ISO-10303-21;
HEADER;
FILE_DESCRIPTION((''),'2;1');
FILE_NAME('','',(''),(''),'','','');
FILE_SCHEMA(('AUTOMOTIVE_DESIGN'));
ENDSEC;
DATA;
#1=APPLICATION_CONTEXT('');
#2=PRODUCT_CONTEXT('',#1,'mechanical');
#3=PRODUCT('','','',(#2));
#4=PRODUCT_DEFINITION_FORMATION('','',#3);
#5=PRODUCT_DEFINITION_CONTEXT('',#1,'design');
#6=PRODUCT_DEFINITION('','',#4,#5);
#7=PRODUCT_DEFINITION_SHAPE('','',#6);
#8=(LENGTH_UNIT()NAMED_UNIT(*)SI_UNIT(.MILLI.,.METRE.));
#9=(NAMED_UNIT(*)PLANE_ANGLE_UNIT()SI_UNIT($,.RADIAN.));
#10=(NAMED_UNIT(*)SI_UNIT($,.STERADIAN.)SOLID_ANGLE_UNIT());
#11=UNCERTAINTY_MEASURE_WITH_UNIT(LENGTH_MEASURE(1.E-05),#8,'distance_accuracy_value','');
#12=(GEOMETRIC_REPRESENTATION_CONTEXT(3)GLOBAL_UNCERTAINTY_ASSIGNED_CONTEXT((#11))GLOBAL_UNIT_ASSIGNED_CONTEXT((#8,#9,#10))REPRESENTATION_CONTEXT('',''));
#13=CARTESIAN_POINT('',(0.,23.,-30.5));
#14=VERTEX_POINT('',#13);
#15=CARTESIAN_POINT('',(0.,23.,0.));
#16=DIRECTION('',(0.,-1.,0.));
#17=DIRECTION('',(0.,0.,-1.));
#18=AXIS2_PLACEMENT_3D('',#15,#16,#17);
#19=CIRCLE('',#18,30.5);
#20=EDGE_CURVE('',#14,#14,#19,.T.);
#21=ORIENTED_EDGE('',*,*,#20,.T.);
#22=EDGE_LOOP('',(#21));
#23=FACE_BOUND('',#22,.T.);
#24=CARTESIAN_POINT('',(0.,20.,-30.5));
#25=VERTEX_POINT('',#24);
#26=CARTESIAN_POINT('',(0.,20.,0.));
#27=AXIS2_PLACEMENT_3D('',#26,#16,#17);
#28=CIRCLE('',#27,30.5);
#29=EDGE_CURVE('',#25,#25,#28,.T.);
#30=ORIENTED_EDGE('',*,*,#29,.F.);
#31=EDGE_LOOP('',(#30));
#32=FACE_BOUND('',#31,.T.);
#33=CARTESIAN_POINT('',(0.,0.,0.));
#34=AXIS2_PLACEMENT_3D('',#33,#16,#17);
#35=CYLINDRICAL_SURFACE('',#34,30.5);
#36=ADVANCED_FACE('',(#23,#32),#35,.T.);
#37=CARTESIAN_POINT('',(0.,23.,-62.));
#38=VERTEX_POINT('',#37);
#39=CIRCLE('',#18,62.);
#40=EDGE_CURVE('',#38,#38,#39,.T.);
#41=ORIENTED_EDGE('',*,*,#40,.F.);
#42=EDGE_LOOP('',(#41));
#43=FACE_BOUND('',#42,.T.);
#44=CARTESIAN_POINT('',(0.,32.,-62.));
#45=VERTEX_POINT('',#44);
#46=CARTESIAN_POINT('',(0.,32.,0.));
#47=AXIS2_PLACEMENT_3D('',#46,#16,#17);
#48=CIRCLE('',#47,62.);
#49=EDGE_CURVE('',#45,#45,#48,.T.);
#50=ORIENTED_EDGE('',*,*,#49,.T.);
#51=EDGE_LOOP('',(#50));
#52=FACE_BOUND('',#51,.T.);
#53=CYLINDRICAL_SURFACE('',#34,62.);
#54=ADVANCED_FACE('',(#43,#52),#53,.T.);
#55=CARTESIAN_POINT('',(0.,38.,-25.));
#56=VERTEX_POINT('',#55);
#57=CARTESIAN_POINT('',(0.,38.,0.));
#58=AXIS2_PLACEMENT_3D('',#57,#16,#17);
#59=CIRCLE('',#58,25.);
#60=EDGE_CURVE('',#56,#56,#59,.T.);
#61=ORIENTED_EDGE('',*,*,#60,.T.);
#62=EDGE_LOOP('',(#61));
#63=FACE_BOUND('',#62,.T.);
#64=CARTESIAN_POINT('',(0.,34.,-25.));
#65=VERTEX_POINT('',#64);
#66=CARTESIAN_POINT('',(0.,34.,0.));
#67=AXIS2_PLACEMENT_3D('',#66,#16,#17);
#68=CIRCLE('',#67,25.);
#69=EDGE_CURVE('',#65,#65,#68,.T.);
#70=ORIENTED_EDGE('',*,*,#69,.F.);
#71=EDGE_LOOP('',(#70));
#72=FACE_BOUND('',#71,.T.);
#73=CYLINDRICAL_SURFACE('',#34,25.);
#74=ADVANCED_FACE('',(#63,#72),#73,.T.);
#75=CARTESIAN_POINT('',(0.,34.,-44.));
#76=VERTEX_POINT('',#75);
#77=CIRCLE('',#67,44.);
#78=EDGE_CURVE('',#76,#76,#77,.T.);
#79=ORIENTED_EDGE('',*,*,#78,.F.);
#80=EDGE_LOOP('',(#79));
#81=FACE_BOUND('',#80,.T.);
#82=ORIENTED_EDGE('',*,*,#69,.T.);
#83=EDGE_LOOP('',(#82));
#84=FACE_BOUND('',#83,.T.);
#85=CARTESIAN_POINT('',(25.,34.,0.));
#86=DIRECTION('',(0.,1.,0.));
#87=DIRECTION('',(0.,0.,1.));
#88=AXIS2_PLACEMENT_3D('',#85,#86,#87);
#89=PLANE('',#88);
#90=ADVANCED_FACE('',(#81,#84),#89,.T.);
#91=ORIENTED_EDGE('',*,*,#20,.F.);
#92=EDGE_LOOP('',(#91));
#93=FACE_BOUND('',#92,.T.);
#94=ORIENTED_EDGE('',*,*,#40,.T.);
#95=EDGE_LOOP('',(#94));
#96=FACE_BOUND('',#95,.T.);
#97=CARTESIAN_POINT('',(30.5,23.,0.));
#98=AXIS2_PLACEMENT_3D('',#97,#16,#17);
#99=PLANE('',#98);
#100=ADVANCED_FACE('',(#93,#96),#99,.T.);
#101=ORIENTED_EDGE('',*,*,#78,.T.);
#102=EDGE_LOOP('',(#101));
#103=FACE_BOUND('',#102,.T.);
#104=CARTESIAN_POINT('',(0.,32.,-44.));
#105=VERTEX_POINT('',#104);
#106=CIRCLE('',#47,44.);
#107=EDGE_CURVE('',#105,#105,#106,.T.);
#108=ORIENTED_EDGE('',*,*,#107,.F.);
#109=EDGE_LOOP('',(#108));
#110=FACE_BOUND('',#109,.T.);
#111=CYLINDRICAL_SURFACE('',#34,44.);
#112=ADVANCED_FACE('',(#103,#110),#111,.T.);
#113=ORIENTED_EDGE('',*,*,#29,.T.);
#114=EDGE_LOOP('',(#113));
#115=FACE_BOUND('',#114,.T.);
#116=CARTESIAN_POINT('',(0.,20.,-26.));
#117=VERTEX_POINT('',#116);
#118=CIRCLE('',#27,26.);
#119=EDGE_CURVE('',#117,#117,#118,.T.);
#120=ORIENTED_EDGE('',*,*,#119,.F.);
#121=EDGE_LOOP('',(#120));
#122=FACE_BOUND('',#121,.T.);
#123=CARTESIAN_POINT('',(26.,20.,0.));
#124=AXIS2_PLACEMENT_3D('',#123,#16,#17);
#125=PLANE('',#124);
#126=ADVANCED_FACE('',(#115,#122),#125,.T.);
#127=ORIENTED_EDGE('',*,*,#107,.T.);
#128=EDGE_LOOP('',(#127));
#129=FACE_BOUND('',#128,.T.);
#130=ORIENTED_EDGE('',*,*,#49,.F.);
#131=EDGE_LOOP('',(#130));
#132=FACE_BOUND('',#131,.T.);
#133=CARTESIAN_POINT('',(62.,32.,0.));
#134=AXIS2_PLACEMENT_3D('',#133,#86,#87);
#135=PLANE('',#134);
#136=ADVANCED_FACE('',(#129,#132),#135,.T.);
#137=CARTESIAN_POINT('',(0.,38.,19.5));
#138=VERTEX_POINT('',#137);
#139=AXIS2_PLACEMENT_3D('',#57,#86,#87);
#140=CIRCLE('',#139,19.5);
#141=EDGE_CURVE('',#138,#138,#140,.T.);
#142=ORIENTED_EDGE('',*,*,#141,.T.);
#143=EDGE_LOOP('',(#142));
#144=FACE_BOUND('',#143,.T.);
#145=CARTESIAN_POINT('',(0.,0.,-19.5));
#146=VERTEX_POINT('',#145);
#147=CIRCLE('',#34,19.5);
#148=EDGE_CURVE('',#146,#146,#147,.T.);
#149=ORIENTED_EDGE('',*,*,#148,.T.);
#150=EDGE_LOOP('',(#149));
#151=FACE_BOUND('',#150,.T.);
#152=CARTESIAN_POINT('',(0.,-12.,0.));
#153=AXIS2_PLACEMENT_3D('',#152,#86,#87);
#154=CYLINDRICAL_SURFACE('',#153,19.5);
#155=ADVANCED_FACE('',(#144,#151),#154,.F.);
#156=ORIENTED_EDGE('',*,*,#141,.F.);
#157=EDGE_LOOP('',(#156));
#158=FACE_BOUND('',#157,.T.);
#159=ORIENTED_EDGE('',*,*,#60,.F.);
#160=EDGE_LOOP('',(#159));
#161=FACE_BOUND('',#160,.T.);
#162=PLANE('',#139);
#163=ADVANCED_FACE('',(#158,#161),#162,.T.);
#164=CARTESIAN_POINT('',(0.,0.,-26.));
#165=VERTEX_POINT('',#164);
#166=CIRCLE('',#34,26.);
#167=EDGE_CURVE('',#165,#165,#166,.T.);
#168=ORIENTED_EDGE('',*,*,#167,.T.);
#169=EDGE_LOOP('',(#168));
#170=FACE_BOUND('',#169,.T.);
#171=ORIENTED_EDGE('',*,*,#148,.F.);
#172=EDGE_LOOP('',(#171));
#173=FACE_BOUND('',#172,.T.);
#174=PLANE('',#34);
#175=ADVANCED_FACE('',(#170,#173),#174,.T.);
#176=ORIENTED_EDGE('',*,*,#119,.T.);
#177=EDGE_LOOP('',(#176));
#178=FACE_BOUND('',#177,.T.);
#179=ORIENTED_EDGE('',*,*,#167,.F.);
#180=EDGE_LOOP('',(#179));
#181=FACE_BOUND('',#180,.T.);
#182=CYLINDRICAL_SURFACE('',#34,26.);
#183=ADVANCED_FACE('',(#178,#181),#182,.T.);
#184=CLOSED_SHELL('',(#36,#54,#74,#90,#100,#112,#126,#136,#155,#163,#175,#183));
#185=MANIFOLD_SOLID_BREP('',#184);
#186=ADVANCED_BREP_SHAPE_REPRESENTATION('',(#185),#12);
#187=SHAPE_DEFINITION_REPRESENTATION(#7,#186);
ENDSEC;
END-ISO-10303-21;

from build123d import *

# Parameters (mm, degrees)
SKETCH3_R          = 19.5
CUT_EXTRUDE1_DEPTH = 50


with BuildPart() as part:
    # Sketch2 → Revolve1 (revolve)
    with BuildSketch(Plane.XY):
        Polygon((0, 0), (26, 0), (26, 20), (30.5, 20), (30.5, 23), (62, 23), (62, 32), (44, 32), (44, 34), (25, 34), (25, 38), (0, 38), align=None)
    revolve(axis=Axis((0, 0, 0), (0, 1, 0)))

    # Sketch3 → Cut-Extrude1 (cut)
    with BuildSketch(Plane(origin=(0, 38, 0), x_dir=(1, 0, 0), z_dir=(0, 1, 0))):
        Circle(SKETCH3_R)
    extrude(amount=-CUT_EXTRUDE1_DEPTH, mode=Mode.SUBTRACT)


solid = part.part
